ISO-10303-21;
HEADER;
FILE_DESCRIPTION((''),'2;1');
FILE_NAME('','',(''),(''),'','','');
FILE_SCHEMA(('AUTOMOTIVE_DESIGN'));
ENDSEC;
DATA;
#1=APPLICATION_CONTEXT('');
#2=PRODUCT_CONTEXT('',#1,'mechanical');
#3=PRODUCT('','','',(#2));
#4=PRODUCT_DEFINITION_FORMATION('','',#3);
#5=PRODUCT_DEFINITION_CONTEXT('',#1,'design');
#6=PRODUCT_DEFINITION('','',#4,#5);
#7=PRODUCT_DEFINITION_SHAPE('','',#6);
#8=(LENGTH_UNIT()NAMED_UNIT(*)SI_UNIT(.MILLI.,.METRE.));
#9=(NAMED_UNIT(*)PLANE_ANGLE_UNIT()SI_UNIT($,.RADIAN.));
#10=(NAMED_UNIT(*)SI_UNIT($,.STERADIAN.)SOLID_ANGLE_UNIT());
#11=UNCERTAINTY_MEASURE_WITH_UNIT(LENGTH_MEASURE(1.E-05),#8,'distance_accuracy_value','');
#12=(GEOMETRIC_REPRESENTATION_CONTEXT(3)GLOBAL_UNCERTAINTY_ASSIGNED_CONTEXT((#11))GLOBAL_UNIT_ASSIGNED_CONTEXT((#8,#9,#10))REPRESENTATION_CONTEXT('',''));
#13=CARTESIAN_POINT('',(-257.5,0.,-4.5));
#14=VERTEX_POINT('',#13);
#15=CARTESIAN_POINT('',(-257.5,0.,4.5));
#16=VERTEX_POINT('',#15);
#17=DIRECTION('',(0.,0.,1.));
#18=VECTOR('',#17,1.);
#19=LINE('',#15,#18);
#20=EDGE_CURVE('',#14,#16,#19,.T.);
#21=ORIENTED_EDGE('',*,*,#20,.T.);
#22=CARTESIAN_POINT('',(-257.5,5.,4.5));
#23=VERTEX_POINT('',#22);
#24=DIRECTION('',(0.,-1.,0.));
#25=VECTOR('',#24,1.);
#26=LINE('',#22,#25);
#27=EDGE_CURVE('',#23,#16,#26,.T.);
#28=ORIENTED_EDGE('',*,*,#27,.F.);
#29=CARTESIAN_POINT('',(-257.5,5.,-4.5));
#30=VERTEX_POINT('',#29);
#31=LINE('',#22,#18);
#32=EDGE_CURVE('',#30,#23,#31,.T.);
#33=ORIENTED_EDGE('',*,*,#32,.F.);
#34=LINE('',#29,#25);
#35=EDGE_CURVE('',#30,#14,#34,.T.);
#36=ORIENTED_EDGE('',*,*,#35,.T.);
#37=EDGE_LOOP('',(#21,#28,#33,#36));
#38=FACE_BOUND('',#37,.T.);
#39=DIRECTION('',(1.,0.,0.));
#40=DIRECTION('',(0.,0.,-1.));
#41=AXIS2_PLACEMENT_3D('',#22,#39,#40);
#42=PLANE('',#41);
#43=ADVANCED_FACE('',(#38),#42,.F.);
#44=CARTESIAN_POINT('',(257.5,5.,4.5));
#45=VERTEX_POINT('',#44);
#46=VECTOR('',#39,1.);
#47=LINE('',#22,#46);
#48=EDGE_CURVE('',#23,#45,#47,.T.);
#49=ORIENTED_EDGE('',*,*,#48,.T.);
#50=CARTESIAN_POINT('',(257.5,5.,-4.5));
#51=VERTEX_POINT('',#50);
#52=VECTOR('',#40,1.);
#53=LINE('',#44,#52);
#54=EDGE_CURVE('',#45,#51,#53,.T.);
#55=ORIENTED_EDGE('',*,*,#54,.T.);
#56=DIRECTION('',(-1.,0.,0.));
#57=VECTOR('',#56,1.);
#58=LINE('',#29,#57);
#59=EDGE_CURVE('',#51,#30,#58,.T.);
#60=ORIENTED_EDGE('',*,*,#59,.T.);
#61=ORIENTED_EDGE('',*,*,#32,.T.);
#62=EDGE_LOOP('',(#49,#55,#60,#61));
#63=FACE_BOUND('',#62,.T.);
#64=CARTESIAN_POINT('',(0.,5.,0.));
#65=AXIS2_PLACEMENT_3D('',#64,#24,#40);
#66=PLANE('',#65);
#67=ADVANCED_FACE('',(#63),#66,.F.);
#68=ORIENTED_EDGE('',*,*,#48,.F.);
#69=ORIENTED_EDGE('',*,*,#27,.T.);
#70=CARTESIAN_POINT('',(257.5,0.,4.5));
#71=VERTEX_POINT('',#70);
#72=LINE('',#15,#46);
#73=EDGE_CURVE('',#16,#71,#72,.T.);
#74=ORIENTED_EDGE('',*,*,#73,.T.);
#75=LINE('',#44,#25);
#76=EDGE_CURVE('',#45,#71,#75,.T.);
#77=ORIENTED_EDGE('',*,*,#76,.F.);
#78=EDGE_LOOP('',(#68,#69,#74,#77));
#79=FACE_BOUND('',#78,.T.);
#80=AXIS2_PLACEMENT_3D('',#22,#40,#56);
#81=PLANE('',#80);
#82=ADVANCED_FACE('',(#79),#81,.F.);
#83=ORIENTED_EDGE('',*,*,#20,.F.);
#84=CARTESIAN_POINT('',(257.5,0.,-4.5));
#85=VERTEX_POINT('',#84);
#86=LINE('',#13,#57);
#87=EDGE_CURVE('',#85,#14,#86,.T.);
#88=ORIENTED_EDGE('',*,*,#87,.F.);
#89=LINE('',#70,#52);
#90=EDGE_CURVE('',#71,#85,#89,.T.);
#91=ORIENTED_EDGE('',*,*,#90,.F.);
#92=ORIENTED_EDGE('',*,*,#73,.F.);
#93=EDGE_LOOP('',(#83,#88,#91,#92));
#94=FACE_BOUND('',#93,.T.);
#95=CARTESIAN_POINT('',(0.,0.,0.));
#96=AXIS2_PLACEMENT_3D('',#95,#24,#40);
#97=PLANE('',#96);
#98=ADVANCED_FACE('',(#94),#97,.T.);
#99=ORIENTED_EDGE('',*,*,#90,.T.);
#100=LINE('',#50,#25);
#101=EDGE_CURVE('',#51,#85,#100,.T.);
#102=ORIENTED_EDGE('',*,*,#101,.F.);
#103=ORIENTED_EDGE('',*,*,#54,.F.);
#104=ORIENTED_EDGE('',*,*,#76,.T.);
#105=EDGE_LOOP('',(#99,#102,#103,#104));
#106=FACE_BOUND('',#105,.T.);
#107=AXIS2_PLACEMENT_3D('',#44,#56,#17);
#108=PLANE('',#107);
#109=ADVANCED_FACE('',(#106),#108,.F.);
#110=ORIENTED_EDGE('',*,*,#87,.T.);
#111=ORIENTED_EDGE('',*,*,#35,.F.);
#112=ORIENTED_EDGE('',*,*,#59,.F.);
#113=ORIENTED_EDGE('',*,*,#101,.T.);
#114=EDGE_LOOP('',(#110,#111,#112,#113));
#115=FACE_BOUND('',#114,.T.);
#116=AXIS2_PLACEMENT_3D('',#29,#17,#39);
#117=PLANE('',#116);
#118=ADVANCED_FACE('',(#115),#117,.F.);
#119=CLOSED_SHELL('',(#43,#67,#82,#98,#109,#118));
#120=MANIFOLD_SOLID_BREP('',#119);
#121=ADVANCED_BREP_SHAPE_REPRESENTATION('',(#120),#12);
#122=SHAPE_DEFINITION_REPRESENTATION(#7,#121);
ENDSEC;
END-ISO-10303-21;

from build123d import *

# Parameters (mm, degrees)
SKETCH_1_W      = 515
SKETCH_1_H      = 9
EXTRUDE_1_DEPTH = 5


with BuildPart() as part:
    # 草图1 → 凸台-拉伸1 (new body)
    with BuildSketch(Plane(origin=(0, 0, 0), x_dir=(1, 0, 0), z_dir=(0, 1, 0))):
        Rectangle(SKETCH_1_W, SKETCH_1_H)
    extrude(amount=EXTRUDE_1_DEPTH)


solid = part.part
